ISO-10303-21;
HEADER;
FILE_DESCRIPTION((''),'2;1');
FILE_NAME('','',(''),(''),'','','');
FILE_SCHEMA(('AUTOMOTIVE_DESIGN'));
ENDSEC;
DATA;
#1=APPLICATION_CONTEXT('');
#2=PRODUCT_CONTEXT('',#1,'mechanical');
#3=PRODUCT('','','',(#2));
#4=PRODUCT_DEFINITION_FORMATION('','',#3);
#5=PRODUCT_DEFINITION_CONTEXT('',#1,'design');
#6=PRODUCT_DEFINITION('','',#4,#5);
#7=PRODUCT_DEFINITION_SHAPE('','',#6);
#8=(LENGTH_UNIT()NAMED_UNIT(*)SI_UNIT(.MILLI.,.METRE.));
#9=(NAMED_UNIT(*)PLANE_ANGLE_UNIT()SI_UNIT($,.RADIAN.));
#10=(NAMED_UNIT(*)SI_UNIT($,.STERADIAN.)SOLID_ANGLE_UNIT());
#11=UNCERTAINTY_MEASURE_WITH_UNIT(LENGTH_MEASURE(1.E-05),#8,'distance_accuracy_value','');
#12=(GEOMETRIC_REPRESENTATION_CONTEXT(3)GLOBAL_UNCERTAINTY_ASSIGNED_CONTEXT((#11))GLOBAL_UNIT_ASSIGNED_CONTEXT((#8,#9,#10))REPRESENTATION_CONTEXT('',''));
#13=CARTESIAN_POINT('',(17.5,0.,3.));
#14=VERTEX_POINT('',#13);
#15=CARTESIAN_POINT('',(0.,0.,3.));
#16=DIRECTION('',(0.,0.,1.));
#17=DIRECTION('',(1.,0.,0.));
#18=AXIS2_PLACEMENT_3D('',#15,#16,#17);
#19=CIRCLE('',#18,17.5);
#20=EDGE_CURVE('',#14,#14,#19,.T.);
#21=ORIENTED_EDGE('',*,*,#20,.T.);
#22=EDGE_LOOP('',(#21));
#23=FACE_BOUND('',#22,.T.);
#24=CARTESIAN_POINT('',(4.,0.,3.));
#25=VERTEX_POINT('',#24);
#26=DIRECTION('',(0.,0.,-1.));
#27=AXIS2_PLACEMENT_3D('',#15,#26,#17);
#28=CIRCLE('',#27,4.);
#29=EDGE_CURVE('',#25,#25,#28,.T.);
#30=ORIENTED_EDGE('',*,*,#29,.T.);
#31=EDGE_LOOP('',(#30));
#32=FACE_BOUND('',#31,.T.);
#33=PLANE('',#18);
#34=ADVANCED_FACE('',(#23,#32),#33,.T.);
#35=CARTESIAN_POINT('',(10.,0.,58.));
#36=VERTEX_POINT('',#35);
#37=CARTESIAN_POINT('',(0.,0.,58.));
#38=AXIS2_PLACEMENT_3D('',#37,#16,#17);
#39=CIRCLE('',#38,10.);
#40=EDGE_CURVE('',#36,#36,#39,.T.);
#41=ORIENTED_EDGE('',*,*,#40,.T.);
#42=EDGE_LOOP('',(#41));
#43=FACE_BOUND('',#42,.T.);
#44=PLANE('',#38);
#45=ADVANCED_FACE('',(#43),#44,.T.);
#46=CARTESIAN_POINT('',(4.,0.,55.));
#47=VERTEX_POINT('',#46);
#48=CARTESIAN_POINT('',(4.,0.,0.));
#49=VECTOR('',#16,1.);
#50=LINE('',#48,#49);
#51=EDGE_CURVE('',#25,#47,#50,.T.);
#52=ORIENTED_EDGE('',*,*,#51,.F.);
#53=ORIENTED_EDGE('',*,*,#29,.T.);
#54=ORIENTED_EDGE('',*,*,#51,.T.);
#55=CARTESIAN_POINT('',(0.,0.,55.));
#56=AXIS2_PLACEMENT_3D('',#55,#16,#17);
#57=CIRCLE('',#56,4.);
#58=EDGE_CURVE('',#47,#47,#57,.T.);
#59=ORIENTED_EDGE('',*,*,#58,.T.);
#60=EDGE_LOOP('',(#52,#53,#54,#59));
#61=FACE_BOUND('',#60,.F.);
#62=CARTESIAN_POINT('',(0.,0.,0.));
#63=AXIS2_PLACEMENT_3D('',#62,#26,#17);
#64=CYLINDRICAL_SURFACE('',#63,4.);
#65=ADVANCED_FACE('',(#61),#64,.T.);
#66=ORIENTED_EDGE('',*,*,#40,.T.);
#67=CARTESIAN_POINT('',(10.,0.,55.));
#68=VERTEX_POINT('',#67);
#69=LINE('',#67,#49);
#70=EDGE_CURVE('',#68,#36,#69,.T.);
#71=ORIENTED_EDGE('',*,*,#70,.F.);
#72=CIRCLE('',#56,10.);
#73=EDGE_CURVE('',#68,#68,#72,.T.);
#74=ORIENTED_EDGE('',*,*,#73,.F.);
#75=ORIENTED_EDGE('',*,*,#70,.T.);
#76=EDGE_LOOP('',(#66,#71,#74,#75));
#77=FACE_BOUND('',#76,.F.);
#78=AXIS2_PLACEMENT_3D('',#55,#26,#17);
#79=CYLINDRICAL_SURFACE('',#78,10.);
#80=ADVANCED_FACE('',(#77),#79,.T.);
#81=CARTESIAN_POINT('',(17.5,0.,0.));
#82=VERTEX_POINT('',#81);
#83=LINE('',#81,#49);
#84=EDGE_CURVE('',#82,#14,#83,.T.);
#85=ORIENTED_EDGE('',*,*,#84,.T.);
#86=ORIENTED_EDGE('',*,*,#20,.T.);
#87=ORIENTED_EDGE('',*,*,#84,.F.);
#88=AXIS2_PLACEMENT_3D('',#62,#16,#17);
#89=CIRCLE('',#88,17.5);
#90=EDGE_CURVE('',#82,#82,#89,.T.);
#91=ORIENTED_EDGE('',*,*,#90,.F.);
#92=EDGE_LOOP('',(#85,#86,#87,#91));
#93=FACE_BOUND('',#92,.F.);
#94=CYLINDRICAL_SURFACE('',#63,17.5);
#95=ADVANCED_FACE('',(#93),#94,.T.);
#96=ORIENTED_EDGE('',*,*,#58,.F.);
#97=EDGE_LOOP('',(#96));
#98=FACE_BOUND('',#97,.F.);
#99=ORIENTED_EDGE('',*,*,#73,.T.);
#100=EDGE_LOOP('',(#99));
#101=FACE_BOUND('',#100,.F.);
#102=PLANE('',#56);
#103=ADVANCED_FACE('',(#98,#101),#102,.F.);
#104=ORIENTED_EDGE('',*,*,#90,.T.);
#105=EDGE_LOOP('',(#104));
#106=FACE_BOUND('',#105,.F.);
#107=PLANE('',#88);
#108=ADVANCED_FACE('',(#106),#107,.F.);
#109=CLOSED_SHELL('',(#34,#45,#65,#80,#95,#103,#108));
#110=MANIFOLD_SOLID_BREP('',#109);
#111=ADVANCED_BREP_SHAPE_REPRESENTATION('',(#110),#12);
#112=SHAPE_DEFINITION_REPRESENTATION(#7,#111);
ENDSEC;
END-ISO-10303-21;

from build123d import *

# Parameters (mm, degrees)
F0_R     = 17.5
F0_R_2   = 4
F1_DEPTH = 3
F2_DEPTH = 55
F3_R     = 10
F3_R_2   = 4
F4_DEPTH = 3


with BuildPart() as f1:
    # F0 (on Top) → F1 (new body)
    with BuildSketch(Plane.XY):
        Circle(F0_R)
        Circle(F0_R_2, mode=Mode.SUBTRACT)
        Circle(F0_R_2)
    extrude(amount=F1_DEPTH)

    # F0 (on Top) → F2 (join)
    with BuildSketch(Plane.XY):
        Circle(F0_R_2)
    extrude(amount=F2_DEPTH)

    # F3 (on face) → F4 (join)
    with BuildSketch(Plane.XY.offset(55)):
        Circle(F3_R)
        Circle(F3_R_2)
    extrude(amount=F4_DEPTH)


solid = f1.part
